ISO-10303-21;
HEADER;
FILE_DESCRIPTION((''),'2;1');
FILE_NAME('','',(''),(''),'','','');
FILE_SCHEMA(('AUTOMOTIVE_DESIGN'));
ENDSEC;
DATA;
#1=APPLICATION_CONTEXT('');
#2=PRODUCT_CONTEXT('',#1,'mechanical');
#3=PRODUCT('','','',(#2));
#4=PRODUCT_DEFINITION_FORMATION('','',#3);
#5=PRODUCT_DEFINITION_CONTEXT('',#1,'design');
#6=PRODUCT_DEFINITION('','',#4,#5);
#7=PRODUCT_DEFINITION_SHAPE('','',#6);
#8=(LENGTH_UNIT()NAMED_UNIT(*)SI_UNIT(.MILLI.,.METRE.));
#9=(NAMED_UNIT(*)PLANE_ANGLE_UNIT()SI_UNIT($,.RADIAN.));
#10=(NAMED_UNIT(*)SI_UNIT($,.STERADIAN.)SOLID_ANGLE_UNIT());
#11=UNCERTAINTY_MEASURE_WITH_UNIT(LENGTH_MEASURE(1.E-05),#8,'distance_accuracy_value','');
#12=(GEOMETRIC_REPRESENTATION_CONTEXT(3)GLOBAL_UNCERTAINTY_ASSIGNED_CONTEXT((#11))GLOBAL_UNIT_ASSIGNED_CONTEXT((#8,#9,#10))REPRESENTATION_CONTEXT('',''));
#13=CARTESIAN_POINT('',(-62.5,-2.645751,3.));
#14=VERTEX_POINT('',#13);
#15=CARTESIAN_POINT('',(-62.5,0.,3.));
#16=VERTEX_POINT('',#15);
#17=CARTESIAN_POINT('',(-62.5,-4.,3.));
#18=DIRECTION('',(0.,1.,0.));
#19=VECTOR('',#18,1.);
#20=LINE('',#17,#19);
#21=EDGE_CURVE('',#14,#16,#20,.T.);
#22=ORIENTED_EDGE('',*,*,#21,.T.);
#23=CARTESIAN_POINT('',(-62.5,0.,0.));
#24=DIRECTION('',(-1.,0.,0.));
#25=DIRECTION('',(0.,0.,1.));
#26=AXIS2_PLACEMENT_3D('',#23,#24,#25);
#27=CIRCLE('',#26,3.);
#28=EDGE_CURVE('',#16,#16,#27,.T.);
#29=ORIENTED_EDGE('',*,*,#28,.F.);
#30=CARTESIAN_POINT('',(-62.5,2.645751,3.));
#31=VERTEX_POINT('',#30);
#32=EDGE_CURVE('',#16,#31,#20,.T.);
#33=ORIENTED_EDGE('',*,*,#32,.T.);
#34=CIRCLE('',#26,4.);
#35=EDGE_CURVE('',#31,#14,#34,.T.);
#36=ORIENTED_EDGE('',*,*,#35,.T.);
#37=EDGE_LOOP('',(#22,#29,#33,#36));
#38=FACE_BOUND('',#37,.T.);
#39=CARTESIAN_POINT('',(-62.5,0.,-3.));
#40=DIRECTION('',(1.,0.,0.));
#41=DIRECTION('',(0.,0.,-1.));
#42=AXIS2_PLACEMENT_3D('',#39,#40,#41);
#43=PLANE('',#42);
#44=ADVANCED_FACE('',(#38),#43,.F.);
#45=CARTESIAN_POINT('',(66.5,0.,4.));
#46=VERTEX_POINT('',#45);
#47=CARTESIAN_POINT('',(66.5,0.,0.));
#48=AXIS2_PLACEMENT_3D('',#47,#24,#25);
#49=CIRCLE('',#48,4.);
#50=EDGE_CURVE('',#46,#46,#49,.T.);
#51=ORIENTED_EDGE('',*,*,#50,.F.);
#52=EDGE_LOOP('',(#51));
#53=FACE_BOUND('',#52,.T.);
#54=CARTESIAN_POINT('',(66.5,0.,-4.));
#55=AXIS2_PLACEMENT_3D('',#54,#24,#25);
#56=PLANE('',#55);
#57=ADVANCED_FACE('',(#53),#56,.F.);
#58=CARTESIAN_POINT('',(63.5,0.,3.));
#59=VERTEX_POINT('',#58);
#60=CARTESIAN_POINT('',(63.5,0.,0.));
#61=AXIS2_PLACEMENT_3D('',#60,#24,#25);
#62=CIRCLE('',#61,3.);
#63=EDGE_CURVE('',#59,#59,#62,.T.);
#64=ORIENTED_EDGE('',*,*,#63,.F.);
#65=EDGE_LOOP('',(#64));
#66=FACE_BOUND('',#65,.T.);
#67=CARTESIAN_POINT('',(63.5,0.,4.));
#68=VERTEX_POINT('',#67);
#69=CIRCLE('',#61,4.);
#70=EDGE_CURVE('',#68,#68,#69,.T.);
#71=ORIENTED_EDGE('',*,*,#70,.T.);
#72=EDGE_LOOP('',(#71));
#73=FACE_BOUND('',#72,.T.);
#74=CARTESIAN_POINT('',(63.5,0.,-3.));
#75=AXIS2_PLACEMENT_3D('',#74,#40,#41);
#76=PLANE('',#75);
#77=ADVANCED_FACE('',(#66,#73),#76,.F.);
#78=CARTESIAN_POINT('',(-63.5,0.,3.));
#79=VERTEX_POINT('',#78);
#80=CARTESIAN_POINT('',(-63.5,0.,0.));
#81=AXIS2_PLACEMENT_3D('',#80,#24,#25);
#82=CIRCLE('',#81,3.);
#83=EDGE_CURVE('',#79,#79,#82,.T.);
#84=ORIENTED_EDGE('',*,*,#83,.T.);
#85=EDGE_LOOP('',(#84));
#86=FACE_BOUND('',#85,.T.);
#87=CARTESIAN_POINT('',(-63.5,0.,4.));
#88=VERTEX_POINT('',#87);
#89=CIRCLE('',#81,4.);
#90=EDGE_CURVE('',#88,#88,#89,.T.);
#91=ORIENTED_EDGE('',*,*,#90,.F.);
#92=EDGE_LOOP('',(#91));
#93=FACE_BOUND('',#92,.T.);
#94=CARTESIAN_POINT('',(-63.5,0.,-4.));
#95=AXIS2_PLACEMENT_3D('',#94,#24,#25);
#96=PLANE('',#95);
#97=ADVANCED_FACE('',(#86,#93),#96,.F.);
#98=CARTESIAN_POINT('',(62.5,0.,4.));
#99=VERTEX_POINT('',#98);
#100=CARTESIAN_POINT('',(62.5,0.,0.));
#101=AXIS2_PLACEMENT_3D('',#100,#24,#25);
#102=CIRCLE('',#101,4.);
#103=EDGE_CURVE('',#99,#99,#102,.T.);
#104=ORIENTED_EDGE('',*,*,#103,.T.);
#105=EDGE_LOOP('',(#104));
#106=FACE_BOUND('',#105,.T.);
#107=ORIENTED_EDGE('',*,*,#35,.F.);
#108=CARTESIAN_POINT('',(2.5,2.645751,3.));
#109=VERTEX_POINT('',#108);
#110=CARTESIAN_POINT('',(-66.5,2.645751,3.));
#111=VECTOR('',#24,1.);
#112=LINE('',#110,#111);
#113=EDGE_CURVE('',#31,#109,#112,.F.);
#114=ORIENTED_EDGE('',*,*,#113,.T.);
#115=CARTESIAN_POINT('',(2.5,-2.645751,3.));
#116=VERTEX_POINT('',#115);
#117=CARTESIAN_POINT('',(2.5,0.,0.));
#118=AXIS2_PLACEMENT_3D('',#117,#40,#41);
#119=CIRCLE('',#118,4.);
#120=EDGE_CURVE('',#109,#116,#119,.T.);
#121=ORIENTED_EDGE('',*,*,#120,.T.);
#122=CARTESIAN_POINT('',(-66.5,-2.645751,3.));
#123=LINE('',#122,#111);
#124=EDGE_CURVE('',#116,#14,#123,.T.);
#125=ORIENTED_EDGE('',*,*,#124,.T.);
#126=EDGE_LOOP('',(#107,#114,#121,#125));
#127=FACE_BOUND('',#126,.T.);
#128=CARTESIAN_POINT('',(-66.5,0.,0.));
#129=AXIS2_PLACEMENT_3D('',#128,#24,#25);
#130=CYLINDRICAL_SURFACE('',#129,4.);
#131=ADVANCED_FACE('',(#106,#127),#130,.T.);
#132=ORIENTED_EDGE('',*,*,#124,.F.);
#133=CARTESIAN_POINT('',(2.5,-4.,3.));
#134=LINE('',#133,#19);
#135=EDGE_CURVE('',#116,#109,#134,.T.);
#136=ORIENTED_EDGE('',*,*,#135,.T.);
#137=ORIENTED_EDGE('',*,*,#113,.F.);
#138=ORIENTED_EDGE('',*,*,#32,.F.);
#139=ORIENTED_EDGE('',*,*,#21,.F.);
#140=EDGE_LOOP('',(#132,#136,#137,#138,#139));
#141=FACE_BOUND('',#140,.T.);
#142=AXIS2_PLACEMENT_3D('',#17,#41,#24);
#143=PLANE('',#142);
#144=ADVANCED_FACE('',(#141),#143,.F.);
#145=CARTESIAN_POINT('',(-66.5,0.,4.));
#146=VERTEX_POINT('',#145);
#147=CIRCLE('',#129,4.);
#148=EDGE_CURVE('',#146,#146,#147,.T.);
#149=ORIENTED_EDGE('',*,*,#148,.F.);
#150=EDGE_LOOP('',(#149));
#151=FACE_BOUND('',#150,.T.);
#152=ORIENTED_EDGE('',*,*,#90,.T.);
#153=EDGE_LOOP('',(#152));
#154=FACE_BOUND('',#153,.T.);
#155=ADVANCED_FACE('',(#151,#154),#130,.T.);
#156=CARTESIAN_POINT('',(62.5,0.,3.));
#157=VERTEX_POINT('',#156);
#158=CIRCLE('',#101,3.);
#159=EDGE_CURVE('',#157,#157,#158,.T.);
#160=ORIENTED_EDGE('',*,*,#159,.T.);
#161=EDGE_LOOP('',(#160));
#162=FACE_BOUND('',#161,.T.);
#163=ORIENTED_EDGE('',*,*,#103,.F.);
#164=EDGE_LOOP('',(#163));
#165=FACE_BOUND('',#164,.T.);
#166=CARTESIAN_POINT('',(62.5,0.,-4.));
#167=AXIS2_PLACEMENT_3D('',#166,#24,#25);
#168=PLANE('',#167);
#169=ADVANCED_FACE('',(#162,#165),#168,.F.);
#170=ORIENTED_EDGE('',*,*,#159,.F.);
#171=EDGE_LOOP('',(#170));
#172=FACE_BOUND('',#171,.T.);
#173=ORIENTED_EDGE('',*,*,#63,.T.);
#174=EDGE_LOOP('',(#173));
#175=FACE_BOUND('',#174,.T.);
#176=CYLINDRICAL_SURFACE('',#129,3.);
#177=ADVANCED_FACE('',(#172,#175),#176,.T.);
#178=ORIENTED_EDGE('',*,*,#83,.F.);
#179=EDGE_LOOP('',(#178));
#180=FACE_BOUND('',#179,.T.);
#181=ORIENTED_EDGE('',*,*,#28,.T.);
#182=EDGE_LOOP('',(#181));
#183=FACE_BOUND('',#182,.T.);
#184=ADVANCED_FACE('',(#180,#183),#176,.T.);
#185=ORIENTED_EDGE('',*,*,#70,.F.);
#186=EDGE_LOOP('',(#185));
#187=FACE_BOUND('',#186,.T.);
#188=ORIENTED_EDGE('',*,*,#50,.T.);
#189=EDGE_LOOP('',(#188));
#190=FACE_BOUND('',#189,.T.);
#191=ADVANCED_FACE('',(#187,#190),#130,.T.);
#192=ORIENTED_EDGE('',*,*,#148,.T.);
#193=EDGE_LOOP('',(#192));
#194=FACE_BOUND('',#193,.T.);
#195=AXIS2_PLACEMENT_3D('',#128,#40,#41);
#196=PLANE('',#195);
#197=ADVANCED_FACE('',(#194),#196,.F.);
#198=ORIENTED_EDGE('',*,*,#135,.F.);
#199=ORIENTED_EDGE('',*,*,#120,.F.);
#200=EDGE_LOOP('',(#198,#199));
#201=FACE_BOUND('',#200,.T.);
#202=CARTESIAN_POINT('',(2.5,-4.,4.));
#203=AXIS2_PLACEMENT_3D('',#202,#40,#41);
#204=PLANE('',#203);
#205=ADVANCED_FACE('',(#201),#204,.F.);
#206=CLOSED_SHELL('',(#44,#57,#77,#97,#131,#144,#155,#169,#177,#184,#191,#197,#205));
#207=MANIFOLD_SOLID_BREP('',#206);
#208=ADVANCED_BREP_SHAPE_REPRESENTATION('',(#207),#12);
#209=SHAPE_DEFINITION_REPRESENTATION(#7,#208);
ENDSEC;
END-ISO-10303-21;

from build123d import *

# Parameters (mm, degrees)
CORTAR_EXTRUIR1_DEPTH      = 67.740167815
CORTAR_EXTRUIR1_DEPTH_BACK = 67.740167815
CROQUIS2_W                 = 65
CROQUIS2_H                 = 1


with BuildPart() as part:
    # Croquis1 → Revolución1 (revolve)
    with BuildSketch(Plane(origin=(0, 0, 0), x_dir=(1, 0, 0), z_dir=(0, 1, 0)), mode=Mode.PRIVATE) as revoluci_n1_sk:
        Polygon((-66.5, 0), (-66.5, 4), (-63.5, 4), (-63.5, 3), (-62.5, 3), (-62.5, 4), (62.5, 4), (62.5, 3), (63.5, 3), (63.5, 4), (66.5, 4), (66.5, 0), align=None)
    revolve(revoluci_n1_sk.sketch.rotate(Axis((-66.5, 0, 0), (1, 0, 0)), 180), axis=Axis((-66.5, 0, 0), (1, 0, 0)))

    # Croquis2 → Cortar-Extruir1 (cut, two sides: drawn at the far end of the back side and taken through both)
    with BuildSketch(Plane(origin=(0, 0, 0), x_dir=(1, 0, 0), z_dir=(0, 1, 0)).offset(-CORTAR_EXTRUIR1_DEPTH_BACK)):
        with Locations((-30, -3.5)):
            Rectangle(CROQUIS2_W, CROQUIS2_H)
    extrude(amount=CORTAR_EXTRUIR1_DEPTH + CORTAR_EXTRUIR1_DEPTH_BACK, mode=Mode.SUBTRACT)


solid = part.part
